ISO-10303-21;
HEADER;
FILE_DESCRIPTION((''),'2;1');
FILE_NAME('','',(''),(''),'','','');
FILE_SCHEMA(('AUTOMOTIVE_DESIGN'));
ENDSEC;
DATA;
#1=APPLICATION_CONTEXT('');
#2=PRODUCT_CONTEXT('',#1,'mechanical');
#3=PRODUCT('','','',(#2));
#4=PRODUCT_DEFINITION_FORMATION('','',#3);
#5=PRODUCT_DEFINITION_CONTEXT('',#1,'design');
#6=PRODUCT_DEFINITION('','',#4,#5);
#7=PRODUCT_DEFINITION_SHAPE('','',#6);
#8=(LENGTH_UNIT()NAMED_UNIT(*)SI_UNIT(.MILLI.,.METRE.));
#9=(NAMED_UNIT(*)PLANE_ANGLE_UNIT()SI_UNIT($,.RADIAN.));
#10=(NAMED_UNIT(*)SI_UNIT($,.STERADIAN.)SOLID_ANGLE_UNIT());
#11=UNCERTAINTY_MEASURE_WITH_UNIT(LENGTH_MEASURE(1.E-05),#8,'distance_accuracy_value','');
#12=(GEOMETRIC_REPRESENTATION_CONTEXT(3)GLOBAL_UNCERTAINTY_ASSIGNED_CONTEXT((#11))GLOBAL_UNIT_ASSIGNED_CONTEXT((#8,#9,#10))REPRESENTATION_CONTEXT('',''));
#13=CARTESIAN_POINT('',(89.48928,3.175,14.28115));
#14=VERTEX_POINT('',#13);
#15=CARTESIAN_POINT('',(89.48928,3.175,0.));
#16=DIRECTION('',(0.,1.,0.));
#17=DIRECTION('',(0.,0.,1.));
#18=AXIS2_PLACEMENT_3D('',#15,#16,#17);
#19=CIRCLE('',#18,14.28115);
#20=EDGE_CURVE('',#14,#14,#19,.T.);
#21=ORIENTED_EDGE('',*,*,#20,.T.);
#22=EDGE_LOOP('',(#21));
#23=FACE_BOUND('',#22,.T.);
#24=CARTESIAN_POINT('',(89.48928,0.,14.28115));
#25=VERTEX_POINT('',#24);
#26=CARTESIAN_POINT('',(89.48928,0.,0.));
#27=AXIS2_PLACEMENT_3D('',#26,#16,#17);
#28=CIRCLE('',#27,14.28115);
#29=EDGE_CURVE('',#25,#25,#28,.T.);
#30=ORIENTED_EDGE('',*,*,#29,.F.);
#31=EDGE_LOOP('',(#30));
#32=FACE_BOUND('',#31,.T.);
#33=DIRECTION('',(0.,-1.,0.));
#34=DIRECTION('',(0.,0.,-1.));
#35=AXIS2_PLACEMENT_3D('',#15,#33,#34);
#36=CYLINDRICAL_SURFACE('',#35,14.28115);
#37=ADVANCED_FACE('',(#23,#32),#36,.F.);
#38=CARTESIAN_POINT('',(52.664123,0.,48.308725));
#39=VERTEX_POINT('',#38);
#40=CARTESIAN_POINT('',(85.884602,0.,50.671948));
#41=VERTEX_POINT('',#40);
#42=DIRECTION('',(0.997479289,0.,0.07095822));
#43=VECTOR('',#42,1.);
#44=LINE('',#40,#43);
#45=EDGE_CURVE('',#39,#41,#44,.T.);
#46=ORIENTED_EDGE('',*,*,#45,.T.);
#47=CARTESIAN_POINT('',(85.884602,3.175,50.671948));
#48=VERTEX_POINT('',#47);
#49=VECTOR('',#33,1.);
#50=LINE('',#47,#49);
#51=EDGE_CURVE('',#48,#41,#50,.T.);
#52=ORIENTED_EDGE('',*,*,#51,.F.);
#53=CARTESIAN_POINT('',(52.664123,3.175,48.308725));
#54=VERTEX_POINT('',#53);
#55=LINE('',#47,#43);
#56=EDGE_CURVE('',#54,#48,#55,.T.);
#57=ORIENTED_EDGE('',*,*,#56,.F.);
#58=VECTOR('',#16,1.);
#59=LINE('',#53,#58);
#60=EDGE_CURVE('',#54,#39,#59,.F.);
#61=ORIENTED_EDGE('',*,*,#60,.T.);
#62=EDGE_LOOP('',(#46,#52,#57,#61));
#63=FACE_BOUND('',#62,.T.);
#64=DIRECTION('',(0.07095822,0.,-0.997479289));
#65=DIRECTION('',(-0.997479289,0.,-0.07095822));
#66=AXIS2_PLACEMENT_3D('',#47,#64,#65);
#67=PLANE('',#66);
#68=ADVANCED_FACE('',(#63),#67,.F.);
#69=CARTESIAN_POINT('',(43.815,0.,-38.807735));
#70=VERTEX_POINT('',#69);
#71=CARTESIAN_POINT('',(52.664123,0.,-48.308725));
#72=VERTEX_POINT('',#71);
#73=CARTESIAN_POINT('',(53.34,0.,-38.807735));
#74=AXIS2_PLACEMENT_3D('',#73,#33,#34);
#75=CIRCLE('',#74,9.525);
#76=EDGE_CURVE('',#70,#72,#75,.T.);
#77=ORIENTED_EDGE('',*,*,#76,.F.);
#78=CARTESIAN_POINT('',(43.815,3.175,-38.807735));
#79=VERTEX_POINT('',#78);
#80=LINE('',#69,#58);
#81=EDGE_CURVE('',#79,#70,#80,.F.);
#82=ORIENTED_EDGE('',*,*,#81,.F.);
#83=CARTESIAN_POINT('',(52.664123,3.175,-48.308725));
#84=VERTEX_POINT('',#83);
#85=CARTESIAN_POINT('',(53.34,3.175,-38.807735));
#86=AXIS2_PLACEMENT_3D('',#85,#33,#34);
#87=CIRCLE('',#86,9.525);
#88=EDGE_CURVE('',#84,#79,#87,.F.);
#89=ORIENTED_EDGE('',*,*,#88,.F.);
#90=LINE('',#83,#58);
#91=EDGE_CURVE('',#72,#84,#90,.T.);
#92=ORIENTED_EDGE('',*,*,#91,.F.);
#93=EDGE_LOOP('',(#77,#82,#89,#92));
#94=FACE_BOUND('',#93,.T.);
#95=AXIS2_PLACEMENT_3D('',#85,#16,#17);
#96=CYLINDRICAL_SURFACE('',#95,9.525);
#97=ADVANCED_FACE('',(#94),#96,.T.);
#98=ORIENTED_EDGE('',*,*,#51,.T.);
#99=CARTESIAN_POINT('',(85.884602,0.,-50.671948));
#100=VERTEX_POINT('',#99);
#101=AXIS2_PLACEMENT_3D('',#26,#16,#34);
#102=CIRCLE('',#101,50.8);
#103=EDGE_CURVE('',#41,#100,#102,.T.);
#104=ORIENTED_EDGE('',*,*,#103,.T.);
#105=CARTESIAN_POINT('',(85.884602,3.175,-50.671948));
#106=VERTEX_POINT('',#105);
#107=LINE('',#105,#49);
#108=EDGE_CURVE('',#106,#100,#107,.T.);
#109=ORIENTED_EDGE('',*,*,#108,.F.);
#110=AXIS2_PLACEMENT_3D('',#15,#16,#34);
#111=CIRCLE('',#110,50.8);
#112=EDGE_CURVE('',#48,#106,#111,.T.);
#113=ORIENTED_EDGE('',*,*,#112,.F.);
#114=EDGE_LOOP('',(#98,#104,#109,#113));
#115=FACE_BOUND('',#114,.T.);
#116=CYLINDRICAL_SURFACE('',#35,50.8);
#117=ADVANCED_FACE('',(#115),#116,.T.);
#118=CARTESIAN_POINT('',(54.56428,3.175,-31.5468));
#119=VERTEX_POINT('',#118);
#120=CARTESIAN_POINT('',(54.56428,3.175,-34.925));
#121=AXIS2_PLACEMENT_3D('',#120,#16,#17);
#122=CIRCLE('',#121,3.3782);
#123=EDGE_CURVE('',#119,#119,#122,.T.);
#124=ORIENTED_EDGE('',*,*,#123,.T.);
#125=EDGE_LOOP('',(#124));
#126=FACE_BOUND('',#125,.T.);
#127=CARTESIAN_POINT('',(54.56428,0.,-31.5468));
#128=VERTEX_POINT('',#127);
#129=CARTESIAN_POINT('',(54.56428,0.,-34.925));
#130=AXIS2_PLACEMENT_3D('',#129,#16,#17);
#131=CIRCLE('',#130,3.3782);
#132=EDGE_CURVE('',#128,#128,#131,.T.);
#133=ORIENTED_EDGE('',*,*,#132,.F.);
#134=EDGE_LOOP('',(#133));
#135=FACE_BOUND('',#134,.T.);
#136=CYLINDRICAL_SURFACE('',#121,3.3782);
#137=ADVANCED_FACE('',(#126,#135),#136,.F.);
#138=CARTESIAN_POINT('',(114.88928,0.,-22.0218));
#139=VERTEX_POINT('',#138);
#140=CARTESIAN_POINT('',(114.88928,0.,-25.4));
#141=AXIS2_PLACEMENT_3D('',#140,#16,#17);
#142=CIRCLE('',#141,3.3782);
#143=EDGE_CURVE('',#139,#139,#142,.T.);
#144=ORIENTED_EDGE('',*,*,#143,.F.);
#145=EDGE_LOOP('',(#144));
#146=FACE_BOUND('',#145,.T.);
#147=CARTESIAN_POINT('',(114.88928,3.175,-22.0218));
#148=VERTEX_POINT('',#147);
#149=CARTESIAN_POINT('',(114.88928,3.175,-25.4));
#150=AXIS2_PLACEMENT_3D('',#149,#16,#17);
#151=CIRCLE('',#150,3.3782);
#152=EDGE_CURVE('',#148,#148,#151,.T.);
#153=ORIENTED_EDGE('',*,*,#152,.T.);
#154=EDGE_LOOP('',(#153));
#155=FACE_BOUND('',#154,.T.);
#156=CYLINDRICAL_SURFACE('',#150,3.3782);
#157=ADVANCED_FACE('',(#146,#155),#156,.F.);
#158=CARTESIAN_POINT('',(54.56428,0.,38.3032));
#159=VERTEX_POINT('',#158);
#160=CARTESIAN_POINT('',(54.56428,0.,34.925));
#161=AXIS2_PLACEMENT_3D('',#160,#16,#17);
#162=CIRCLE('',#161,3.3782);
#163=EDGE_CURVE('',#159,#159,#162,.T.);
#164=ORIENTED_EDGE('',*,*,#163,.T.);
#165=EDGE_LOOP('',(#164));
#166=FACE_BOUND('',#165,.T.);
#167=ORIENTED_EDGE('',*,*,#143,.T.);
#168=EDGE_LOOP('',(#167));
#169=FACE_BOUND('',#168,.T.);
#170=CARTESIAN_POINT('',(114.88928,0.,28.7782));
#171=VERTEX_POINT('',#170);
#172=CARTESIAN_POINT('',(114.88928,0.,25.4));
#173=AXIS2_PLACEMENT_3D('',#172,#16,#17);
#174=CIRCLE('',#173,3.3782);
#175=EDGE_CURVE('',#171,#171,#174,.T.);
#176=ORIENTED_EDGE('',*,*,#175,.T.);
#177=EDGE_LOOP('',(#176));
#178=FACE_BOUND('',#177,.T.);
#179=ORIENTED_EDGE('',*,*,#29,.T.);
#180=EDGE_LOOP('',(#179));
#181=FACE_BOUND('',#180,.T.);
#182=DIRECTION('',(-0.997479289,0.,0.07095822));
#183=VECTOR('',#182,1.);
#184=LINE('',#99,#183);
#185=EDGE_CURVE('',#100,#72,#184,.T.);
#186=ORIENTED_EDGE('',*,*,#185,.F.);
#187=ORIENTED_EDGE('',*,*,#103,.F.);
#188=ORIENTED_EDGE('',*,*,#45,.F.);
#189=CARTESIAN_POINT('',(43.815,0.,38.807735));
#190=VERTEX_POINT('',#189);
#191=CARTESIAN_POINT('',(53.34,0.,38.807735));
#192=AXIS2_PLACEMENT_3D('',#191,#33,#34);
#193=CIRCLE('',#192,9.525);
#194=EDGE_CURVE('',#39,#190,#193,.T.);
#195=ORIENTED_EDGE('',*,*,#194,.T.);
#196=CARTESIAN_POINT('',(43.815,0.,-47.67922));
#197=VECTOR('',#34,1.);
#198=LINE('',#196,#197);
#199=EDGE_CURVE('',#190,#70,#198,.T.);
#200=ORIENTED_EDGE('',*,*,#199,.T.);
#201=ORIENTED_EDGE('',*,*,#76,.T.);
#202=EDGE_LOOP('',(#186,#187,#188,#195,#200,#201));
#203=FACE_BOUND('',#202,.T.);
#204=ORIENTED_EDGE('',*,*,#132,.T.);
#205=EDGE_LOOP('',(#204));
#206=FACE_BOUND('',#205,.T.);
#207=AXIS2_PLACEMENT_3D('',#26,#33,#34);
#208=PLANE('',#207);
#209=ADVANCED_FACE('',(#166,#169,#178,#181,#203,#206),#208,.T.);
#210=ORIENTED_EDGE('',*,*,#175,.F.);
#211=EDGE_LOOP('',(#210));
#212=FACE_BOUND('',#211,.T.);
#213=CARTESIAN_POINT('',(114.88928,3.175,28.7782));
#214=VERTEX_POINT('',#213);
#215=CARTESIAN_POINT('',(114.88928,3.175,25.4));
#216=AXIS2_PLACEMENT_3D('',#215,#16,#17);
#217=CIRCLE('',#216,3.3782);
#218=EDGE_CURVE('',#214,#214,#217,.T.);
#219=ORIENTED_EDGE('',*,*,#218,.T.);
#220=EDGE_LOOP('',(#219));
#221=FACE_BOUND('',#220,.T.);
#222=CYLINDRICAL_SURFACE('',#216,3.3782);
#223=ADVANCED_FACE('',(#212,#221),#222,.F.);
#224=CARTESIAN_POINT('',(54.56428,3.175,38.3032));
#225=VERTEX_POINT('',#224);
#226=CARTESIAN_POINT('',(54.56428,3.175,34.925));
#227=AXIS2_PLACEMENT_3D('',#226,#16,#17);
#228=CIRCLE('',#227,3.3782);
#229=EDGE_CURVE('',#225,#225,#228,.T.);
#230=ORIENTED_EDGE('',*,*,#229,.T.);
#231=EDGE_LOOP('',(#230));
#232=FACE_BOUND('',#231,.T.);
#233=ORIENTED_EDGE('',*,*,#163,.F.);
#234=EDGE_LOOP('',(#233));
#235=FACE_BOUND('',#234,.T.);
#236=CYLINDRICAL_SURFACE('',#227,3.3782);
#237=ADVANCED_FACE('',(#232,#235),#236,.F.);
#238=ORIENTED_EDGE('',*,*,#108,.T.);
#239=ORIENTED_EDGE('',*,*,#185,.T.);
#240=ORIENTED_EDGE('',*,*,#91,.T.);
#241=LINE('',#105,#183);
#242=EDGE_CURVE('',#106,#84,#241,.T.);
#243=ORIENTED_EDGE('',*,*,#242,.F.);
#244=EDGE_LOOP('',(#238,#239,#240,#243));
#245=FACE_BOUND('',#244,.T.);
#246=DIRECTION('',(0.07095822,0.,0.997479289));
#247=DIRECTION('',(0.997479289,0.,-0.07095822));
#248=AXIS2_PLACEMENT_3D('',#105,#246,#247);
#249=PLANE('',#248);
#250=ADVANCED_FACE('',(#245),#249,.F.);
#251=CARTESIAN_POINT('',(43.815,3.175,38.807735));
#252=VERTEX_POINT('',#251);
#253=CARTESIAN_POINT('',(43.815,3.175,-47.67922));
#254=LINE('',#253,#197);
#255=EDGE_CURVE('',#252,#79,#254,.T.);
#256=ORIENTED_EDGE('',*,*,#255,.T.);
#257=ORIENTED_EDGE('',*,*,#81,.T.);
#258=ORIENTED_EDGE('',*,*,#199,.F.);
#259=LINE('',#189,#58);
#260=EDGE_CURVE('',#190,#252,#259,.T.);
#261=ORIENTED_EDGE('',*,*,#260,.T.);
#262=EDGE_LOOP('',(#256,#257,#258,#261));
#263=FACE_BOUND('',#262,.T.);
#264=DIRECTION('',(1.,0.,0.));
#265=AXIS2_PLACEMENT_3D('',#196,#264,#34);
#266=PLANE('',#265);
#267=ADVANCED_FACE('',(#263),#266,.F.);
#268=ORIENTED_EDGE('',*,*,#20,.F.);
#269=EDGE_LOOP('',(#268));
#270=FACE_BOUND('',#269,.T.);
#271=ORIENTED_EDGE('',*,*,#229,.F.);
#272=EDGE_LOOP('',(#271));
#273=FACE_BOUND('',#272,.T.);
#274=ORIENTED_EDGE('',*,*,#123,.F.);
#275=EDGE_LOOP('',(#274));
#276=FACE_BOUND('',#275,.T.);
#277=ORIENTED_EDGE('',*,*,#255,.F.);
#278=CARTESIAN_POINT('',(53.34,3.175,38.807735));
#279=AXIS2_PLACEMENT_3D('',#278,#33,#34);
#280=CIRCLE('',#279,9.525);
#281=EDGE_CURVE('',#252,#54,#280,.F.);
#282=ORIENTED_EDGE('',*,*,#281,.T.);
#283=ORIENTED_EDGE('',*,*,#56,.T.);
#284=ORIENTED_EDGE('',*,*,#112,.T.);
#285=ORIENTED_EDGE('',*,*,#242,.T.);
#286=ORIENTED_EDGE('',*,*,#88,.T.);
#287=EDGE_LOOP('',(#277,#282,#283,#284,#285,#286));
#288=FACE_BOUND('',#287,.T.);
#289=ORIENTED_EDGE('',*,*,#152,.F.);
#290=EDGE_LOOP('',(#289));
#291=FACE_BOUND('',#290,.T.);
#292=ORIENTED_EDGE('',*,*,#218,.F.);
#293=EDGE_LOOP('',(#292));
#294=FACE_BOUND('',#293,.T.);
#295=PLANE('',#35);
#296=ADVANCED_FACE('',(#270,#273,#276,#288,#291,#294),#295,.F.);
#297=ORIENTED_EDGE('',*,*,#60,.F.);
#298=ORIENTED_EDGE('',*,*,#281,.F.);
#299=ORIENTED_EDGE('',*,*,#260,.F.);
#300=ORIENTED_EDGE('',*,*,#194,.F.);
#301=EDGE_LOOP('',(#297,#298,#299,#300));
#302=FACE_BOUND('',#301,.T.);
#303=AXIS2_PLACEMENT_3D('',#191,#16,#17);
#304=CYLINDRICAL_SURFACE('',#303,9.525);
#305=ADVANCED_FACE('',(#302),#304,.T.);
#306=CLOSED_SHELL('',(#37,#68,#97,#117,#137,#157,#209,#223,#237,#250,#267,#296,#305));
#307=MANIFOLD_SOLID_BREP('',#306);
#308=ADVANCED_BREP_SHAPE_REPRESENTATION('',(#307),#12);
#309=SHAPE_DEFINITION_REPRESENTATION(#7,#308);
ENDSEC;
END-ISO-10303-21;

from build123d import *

# Parameters (mm, degrees)
SKETCH1_R               = 14.28115
SKETCH1_R_2             = 19.177
BOSS_EXTRUDE1_DEPTH     = 3.175
F_10_CLEARANCE_HOLE1_D  = 5.1054
F_1_4_CLEARANCE_HOLE1_D = 6.7564
SKETCH6_R               = 2.5527
CUT_EXTRUDE1_DEPTH      = 4.175
FILLET1_R               = 7.62
CUT_EXTRUDE2_DEPTH      = 4.175
FILLET2_R               = 9.525


with BuildPart() as part:
    # Sketch1 → Boss-Extrude1 (new body)
    with BuildSketch(Plane(origin=(0, 0, 0), x_dir=(1, 0, 0), z_dir=(0, 1, 0))):
        with BuildLine():
            Line((85.884602434, 50.671947857), (-3.15409287, 44.337954375))
            ThreePointArc((-3.15409287, 44.337954375), (-44.45, 0), (-3.15409287, -44.337954375))
            Line((-3.15409287, -44.337954375), (85.884602434, -50.671947857))
            ThreePointArc((85.884602434, -50.671947857), (140.28928, 0), (85.884602434, 50.671947857))
        make_face()
        with Locations((89.48928, 0)):
            Circle(SKETCH1_R, mode=Mode.SUBTRACT)
        Circle(SKETCH1_R_2, mode=Mode.SUBTRACT)
    extrude(amount=BOSS_EXTRUDE1_DEPTH)

    # #10 Clearance Hole1 (through all)
    with Locations(Plane(origin=(0, 3.175, 0), x_dir=(1, 0, 0), z_dir=(0, 1, 0))):
        with Locations((-17.960512242, 17.960512242), (17.960512242, 17.960512242), (17.960512242, -17.960512242), (-17.960512242, -17.960512242), (-31.8135, 0), (34.925, 34.314713318), (34.925, -34.314713318)):
            Hole(F_10_CLEARANCE_HOLE1_D / 2)

    # 1/4 Clearance Hole1 (through all)
    with Locations(Plane(origin=(0, 3.175, 0), x_dir=(1, 0, 0), z_dir=(0, 1, 0))):
        with Locations((54.56428, 34.925), (54.56428, -34.925), (114.88928, 25.4), (114.88928, -25.4)):
            Hole(F_1_4_CLEARANCE_HOLE1_D / 2)

    # Sketch6 → Cut-Extrude1 (cut, through all)
    with BuildSketch(Plane(origin=(0, 3.175, 0), x_dir=(1, 0, 0), z_dir=(0, 1, 0))):
        with BuildLine():
            Line((-9.48365621, 16.667861107), (-14.368409794, 21.552614691))
            ThreePointArc((-14.368409794, 21.552614691), (-21.552614691, 21.552614691), (-21.552614691, 14.368409794))
            Line((-21.552614691, 14.368409794), (-16.667861107, 9.48365621))
            ThreePointArc((-16.667861107, 9.48365621), (-13.560186743, 13.560186743), (-9.48365621, 16.667861107))
        make_face()
        with Locations((-17.960512242, 17.960512242)):
            Circle(SKETCH6_R, mode=Mode.SUBTRACT)
        with BuildLine():
            ThreePointArc((16.667861107, -9.48365621), (13.560186743, -13.560186743), (9.48365621, -16.667861107))
            Line((9.48365621, -16.667861107), (14.368409794, -21.552614691))
            ThreePointArc((14.368409794, -21.552614691), (21.552614691, -21.552614691), (21.552614691, -14.368409794))
            Line((21.552614691, -14.368409794), (16.667861107, -9.48365621))
        make_face()
        with Locations((17.960512242, -17.960512242)):
            Circle(SKETCH6_R, mode=Mode.SUBTRACT)
    extrude(amount=-CUT_EXTRUDE1_DEPTH, mode=Mode.SUBTRACT)

    # Fillet1
    fillet1_edges = [part.edges().sort_by_distance(p)[0] for p in [
        (9.48365621, 1.5875, 16.667861107),
        (16.667861107, 1.5875, 9.48365621),
        (-9.48365621, 1.5875, -16.667861107),
        (-16.667861107, 1.5875, -9.48365621),
    ]]
    fillet(fillet1_edges, radius=FILLET1_R)

    # Sketch7 → Cut-Extrude2 (cut, through all)
    with BuildSketch(Plane(origin=(0, 3.175, 0), x_dir=(1, 0, 0), z_dir=(0, 1, 0))):
        Polygon((43.815, 47.679219957), (43.815, -47.679219957), (-626.42496, 0), align=None)
    extrude(amount=-CUT_EXTRUDE2_DEPTH, mode=Mode.SUBTRACT)

    # Fillet2
    fillet2_edges = [part.edges().sort_by_distance(p)[0] for p in [
        (43.815, 1.5875, 47.679219957),
        (43.815, 1.5875, -47.679219957),
    ]]
    fillet(fillet2_edges, radius=FILLET2_R)


solid = part.part
